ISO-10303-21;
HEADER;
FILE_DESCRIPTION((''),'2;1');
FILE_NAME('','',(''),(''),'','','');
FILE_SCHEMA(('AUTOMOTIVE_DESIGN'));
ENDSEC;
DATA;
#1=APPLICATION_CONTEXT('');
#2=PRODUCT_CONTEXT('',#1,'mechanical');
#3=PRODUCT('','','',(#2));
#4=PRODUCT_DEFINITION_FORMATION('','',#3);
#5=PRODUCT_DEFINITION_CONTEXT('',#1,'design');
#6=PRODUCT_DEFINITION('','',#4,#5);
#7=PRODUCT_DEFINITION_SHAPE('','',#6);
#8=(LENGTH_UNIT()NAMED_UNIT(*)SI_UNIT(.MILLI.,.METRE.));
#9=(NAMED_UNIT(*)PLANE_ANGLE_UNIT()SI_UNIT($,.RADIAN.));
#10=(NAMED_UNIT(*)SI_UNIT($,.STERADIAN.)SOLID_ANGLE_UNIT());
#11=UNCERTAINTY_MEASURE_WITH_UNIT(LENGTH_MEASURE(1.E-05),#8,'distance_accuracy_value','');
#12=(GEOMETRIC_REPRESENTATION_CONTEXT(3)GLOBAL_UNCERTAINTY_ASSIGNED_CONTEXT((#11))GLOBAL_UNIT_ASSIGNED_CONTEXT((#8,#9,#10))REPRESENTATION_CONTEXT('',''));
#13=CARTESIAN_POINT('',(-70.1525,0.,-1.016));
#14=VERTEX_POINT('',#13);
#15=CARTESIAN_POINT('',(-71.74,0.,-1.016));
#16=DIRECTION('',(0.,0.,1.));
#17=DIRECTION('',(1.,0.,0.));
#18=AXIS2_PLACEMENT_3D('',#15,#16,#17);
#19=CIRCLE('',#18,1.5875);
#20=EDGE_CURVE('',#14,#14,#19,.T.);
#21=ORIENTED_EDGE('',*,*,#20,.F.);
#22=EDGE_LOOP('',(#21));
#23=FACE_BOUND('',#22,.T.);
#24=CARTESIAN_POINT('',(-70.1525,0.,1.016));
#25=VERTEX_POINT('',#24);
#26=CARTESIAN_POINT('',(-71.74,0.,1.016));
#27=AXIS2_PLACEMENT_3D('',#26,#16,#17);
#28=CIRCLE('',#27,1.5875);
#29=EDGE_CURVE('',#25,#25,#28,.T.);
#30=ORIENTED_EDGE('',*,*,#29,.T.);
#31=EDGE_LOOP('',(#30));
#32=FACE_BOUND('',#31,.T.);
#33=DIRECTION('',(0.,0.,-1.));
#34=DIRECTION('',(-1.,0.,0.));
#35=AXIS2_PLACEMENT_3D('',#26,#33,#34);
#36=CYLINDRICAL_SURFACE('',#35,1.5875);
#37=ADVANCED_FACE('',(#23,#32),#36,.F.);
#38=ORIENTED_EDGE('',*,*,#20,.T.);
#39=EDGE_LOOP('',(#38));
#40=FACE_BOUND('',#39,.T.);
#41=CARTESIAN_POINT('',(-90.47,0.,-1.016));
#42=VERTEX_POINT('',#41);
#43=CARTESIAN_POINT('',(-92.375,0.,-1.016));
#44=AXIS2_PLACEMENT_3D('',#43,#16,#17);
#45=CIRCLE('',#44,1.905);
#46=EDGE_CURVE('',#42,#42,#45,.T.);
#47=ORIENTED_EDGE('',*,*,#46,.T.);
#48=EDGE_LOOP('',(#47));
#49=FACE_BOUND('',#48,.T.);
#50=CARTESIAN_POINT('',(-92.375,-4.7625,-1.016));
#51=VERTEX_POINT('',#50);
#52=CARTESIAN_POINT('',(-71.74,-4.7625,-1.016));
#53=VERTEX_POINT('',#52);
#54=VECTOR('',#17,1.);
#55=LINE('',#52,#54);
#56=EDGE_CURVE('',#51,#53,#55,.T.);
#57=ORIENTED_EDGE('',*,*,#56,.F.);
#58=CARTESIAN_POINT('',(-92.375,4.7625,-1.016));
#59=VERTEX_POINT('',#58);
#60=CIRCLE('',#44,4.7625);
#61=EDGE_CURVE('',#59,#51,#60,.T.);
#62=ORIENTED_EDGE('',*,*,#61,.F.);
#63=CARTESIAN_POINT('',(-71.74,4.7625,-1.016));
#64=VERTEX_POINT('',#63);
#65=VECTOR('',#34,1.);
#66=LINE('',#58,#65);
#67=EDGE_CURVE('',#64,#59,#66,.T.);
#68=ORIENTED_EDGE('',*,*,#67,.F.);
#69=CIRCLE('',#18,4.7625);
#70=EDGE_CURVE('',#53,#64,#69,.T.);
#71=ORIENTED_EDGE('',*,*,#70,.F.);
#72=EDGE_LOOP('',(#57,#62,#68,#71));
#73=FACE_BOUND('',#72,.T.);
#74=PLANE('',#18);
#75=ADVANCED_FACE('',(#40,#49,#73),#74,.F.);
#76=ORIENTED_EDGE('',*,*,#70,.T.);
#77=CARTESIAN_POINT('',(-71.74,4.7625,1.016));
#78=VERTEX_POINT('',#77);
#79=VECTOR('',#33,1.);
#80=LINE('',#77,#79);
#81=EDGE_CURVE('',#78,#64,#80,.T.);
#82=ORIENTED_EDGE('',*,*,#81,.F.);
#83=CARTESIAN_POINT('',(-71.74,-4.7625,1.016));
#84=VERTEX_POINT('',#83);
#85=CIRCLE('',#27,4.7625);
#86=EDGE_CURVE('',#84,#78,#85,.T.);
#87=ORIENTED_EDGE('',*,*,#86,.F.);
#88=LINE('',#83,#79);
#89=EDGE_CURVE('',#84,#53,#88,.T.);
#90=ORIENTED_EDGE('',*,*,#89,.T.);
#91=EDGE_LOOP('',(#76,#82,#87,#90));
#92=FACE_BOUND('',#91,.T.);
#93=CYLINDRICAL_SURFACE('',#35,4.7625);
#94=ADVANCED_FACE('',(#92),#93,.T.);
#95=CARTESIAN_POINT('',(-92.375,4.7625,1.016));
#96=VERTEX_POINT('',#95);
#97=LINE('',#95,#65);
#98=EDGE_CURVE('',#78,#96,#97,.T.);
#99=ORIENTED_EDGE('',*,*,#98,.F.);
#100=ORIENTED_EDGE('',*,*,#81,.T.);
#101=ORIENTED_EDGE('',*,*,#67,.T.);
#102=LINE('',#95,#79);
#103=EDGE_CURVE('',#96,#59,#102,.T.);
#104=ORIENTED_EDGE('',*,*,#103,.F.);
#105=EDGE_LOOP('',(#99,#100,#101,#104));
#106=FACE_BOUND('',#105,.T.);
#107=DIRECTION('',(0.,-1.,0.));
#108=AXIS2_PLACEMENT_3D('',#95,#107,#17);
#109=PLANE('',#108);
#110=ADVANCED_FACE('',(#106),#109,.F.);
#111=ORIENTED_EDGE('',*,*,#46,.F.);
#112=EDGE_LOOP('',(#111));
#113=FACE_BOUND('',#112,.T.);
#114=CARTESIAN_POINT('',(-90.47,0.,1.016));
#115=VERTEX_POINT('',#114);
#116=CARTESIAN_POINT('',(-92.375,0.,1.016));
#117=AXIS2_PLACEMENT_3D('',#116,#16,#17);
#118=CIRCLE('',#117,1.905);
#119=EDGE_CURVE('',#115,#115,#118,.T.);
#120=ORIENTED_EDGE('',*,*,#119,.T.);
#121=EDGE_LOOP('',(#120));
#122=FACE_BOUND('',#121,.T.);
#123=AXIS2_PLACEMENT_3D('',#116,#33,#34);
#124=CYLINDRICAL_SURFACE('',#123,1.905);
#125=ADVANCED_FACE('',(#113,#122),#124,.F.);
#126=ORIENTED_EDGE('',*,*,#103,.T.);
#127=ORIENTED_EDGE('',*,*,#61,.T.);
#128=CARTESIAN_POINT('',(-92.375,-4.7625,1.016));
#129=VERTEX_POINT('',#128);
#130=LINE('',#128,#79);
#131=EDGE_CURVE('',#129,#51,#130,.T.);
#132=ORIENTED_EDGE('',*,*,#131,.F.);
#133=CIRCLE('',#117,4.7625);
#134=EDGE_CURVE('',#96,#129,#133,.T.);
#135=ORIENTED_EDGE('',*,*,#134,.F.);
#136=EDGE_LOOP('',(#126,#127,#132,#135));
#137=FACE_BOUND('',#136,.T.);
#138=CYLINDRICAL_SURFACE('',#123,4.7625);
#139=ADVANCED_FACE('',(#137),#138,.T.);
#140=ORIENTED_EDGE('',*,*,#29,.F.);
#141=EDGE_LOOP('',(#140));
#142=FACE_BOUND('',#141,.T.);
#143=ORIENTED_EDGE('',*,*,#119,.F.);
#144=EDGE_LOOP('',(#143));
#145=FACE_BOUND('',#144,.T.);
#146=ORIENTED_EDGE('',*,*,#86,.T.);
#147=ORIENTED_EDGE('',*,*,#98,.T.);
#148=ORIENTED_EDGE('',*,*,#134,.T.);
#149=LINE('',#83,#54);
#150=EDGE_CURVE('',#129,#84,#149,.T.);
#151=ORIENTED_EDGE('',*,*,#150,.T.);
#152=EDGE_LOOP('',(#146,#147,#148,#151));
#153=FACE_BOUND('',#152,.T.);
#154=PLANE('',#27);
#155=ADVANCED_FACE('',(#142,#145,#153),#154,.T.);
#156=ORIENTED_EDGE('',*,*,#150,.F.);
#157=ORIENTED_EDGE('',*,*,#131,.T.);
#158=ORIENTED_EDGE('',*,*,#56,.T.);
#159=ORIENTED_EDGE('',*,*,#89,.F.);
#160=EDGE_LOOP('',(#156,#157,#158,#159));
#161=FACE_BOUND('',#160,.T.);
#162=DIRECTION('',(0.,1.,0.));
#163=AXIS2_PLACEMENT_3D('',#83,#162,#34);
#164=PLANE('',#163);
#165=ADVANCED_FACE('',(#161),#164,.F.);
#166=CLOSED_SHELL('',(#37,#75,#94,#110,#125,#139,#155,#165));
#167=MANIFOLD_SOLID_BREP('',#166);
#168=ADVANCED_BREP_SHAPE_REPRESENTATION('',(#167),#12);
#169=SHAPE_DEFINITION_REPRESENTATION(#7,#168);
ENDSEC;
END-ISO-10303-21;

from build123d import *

# Parameters (mm, degrees)
SKETCH1_R           = 1.5875
SKETCH1_R_2         = 1.905
BOSS_EXTRUDE1_DEPTH = 1.016


with BuildPart() as part:
    # Sketch1 → Boss-Extrude1 (new body, symmetric)
    with BuildSketch(Plane.XY):
        with BuildLine():
            Line((-71.739999898, -4.7625), (-92.374999898, -4.7625))
            ThreePointArc((-92.374999898, -4.7625), (-97.137499898, 0), (-92.374999898, 4.7625))
            Line((-92.374999898, 4.7625), (-71.739999898, 4.7625))
            ThreePointArc((-71.739999898, 4.7625), (-66.977499898, 0), (-71.739999898, -4.7625))
        make_face()
        with Locations((-71.739999898, 0)):
            Circle(SKETCH1_R, mode=Mode.SUBTRACT)
        with Locations((-92.374999898, 0)):
            Circle(SKETCH1_R_2, mode=Mode.SUBTRACT)
    extrude(amount=BOSS_EXTRUDE1_DEPTH, both=True)


solid = part.part
